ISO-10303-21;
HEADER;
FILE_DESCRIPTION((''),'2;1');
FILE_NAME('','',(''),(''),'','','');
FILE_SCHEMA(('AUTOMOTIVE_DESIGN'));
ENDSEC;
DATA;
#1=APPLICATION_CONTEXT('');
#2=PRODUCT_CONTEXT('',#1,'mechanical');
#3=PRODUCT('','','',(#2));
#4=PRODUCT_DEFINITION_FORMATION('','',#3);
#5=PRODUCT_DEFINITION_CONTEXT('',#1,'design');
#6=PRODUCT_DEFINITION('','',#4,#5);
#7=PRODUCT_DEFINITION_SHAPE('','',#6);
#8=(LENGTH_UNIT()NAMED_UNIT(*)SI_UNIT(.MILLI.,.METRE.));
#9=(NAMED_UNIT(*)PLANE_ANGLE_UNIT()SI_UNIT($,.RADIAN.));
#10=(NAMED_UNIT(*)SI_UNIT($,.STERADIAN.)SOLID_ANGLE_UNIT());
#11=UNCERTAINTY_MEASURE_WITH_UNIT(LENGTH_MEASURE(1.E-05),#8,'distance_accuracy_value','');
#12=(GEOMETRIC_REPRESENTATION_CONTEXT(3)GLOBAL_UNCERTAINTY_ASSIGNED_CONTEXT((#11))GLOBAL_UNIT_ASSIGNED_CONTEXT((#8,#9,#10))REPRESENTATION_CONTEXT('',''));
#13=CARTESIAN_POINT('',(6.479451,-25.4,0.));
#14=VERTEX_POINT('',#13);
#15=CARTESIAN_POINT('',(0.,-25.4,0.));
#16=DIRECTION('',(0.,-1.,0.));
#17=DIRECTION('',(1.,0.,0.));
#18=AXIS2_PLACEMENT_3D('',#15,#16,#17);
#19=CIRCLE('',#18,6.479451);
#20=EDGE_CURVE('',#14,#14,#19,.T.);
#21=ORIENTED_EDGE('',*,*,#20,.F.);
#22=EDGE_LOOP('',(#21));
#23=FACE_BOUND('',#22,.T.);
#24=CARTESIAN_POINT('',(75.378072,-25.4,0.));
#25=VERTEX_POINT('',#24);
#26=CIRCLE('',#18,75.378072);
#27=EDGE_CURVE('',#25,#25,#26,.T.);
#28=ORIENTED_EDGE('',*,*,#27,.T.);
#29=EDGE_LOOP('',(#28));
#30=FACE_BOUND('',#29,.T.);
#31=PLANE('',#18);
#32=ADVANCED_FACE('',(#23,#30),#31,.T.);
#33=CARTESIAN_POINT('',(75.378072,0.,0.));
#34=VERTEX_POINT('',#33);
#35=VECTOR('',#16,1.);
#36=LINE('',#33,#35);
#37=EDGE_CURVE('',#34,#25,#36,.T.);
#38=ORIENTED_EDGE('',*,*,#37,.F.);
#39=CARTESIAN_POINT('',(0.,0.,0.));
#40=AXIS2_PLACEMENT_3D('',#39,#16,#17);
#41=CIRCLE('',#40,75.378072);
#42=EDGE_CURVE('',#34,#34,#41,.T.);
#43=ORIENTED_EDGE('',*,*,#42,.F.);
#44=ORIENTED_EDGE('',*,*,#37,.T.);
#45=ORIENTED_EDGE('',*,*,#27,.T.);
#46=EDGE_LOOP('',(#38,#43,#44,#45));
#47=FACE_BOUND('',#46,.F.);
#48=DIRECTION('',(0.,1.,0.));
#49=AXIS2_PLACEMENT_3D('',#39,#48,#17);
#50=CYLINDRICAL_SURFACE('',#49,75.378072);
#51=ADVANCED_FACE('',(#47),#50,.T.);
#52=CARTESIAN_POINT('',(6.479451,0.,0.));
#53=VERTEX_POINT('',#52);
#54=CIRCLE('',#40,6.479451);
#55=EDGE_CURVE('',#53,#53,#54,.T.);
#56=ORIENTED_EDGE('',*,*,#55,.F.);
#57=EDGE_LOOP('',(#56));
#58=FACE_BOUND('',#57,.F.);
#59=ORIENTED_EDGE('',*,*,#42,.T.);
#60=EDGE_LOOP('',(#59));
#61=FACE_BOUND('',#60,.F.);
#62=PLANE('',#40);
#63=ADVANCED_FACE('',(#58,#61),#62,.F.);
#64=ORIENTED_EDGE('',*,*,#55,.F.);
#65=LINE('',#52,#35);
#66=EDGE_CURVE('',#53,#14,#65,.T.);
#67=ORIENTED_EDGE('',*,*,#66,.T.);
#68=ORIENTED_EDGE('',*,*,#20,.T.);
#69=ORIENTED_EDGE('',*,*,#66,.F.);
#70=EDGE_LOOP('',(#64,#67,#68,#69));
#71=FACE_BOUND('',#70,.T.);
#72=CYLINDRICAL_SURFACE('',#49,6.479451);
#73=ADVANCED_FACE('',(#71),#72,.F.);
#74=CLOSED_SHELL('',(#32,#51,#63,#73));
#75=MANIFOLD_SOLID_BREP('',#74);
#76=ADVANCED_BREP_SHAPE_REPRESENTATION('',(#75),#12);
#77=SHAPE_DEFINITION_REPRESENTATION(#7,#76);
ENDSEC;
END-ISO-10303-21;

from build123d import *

# Parameters (mm, degrees)
F0_R     = 75.3780720423
F0_R_2   = 60.5024045165
F0_R_3   = 12.2853005347
F0_R_4   = 6.4794512833
F1_DEPTH = 25.4


with BuildPart() as f1:
    # F0 (on Front) → F1 (new body)
    with BuildSketch(Plane.XZ):
        Circle(F0_R)
        Circle(F0_R_2, mode=Mode.SUBTRACT)
        Circle(F0_R_2)
        Circle(F0_R_3, mode=Mode.SUBTRACT)
        Circle(F0_R_3)
        Circle(F0_R_4, mode=Mode.SUBTRACT)
    extrude(amount=F1_DEPTH)


solid = f1.part
